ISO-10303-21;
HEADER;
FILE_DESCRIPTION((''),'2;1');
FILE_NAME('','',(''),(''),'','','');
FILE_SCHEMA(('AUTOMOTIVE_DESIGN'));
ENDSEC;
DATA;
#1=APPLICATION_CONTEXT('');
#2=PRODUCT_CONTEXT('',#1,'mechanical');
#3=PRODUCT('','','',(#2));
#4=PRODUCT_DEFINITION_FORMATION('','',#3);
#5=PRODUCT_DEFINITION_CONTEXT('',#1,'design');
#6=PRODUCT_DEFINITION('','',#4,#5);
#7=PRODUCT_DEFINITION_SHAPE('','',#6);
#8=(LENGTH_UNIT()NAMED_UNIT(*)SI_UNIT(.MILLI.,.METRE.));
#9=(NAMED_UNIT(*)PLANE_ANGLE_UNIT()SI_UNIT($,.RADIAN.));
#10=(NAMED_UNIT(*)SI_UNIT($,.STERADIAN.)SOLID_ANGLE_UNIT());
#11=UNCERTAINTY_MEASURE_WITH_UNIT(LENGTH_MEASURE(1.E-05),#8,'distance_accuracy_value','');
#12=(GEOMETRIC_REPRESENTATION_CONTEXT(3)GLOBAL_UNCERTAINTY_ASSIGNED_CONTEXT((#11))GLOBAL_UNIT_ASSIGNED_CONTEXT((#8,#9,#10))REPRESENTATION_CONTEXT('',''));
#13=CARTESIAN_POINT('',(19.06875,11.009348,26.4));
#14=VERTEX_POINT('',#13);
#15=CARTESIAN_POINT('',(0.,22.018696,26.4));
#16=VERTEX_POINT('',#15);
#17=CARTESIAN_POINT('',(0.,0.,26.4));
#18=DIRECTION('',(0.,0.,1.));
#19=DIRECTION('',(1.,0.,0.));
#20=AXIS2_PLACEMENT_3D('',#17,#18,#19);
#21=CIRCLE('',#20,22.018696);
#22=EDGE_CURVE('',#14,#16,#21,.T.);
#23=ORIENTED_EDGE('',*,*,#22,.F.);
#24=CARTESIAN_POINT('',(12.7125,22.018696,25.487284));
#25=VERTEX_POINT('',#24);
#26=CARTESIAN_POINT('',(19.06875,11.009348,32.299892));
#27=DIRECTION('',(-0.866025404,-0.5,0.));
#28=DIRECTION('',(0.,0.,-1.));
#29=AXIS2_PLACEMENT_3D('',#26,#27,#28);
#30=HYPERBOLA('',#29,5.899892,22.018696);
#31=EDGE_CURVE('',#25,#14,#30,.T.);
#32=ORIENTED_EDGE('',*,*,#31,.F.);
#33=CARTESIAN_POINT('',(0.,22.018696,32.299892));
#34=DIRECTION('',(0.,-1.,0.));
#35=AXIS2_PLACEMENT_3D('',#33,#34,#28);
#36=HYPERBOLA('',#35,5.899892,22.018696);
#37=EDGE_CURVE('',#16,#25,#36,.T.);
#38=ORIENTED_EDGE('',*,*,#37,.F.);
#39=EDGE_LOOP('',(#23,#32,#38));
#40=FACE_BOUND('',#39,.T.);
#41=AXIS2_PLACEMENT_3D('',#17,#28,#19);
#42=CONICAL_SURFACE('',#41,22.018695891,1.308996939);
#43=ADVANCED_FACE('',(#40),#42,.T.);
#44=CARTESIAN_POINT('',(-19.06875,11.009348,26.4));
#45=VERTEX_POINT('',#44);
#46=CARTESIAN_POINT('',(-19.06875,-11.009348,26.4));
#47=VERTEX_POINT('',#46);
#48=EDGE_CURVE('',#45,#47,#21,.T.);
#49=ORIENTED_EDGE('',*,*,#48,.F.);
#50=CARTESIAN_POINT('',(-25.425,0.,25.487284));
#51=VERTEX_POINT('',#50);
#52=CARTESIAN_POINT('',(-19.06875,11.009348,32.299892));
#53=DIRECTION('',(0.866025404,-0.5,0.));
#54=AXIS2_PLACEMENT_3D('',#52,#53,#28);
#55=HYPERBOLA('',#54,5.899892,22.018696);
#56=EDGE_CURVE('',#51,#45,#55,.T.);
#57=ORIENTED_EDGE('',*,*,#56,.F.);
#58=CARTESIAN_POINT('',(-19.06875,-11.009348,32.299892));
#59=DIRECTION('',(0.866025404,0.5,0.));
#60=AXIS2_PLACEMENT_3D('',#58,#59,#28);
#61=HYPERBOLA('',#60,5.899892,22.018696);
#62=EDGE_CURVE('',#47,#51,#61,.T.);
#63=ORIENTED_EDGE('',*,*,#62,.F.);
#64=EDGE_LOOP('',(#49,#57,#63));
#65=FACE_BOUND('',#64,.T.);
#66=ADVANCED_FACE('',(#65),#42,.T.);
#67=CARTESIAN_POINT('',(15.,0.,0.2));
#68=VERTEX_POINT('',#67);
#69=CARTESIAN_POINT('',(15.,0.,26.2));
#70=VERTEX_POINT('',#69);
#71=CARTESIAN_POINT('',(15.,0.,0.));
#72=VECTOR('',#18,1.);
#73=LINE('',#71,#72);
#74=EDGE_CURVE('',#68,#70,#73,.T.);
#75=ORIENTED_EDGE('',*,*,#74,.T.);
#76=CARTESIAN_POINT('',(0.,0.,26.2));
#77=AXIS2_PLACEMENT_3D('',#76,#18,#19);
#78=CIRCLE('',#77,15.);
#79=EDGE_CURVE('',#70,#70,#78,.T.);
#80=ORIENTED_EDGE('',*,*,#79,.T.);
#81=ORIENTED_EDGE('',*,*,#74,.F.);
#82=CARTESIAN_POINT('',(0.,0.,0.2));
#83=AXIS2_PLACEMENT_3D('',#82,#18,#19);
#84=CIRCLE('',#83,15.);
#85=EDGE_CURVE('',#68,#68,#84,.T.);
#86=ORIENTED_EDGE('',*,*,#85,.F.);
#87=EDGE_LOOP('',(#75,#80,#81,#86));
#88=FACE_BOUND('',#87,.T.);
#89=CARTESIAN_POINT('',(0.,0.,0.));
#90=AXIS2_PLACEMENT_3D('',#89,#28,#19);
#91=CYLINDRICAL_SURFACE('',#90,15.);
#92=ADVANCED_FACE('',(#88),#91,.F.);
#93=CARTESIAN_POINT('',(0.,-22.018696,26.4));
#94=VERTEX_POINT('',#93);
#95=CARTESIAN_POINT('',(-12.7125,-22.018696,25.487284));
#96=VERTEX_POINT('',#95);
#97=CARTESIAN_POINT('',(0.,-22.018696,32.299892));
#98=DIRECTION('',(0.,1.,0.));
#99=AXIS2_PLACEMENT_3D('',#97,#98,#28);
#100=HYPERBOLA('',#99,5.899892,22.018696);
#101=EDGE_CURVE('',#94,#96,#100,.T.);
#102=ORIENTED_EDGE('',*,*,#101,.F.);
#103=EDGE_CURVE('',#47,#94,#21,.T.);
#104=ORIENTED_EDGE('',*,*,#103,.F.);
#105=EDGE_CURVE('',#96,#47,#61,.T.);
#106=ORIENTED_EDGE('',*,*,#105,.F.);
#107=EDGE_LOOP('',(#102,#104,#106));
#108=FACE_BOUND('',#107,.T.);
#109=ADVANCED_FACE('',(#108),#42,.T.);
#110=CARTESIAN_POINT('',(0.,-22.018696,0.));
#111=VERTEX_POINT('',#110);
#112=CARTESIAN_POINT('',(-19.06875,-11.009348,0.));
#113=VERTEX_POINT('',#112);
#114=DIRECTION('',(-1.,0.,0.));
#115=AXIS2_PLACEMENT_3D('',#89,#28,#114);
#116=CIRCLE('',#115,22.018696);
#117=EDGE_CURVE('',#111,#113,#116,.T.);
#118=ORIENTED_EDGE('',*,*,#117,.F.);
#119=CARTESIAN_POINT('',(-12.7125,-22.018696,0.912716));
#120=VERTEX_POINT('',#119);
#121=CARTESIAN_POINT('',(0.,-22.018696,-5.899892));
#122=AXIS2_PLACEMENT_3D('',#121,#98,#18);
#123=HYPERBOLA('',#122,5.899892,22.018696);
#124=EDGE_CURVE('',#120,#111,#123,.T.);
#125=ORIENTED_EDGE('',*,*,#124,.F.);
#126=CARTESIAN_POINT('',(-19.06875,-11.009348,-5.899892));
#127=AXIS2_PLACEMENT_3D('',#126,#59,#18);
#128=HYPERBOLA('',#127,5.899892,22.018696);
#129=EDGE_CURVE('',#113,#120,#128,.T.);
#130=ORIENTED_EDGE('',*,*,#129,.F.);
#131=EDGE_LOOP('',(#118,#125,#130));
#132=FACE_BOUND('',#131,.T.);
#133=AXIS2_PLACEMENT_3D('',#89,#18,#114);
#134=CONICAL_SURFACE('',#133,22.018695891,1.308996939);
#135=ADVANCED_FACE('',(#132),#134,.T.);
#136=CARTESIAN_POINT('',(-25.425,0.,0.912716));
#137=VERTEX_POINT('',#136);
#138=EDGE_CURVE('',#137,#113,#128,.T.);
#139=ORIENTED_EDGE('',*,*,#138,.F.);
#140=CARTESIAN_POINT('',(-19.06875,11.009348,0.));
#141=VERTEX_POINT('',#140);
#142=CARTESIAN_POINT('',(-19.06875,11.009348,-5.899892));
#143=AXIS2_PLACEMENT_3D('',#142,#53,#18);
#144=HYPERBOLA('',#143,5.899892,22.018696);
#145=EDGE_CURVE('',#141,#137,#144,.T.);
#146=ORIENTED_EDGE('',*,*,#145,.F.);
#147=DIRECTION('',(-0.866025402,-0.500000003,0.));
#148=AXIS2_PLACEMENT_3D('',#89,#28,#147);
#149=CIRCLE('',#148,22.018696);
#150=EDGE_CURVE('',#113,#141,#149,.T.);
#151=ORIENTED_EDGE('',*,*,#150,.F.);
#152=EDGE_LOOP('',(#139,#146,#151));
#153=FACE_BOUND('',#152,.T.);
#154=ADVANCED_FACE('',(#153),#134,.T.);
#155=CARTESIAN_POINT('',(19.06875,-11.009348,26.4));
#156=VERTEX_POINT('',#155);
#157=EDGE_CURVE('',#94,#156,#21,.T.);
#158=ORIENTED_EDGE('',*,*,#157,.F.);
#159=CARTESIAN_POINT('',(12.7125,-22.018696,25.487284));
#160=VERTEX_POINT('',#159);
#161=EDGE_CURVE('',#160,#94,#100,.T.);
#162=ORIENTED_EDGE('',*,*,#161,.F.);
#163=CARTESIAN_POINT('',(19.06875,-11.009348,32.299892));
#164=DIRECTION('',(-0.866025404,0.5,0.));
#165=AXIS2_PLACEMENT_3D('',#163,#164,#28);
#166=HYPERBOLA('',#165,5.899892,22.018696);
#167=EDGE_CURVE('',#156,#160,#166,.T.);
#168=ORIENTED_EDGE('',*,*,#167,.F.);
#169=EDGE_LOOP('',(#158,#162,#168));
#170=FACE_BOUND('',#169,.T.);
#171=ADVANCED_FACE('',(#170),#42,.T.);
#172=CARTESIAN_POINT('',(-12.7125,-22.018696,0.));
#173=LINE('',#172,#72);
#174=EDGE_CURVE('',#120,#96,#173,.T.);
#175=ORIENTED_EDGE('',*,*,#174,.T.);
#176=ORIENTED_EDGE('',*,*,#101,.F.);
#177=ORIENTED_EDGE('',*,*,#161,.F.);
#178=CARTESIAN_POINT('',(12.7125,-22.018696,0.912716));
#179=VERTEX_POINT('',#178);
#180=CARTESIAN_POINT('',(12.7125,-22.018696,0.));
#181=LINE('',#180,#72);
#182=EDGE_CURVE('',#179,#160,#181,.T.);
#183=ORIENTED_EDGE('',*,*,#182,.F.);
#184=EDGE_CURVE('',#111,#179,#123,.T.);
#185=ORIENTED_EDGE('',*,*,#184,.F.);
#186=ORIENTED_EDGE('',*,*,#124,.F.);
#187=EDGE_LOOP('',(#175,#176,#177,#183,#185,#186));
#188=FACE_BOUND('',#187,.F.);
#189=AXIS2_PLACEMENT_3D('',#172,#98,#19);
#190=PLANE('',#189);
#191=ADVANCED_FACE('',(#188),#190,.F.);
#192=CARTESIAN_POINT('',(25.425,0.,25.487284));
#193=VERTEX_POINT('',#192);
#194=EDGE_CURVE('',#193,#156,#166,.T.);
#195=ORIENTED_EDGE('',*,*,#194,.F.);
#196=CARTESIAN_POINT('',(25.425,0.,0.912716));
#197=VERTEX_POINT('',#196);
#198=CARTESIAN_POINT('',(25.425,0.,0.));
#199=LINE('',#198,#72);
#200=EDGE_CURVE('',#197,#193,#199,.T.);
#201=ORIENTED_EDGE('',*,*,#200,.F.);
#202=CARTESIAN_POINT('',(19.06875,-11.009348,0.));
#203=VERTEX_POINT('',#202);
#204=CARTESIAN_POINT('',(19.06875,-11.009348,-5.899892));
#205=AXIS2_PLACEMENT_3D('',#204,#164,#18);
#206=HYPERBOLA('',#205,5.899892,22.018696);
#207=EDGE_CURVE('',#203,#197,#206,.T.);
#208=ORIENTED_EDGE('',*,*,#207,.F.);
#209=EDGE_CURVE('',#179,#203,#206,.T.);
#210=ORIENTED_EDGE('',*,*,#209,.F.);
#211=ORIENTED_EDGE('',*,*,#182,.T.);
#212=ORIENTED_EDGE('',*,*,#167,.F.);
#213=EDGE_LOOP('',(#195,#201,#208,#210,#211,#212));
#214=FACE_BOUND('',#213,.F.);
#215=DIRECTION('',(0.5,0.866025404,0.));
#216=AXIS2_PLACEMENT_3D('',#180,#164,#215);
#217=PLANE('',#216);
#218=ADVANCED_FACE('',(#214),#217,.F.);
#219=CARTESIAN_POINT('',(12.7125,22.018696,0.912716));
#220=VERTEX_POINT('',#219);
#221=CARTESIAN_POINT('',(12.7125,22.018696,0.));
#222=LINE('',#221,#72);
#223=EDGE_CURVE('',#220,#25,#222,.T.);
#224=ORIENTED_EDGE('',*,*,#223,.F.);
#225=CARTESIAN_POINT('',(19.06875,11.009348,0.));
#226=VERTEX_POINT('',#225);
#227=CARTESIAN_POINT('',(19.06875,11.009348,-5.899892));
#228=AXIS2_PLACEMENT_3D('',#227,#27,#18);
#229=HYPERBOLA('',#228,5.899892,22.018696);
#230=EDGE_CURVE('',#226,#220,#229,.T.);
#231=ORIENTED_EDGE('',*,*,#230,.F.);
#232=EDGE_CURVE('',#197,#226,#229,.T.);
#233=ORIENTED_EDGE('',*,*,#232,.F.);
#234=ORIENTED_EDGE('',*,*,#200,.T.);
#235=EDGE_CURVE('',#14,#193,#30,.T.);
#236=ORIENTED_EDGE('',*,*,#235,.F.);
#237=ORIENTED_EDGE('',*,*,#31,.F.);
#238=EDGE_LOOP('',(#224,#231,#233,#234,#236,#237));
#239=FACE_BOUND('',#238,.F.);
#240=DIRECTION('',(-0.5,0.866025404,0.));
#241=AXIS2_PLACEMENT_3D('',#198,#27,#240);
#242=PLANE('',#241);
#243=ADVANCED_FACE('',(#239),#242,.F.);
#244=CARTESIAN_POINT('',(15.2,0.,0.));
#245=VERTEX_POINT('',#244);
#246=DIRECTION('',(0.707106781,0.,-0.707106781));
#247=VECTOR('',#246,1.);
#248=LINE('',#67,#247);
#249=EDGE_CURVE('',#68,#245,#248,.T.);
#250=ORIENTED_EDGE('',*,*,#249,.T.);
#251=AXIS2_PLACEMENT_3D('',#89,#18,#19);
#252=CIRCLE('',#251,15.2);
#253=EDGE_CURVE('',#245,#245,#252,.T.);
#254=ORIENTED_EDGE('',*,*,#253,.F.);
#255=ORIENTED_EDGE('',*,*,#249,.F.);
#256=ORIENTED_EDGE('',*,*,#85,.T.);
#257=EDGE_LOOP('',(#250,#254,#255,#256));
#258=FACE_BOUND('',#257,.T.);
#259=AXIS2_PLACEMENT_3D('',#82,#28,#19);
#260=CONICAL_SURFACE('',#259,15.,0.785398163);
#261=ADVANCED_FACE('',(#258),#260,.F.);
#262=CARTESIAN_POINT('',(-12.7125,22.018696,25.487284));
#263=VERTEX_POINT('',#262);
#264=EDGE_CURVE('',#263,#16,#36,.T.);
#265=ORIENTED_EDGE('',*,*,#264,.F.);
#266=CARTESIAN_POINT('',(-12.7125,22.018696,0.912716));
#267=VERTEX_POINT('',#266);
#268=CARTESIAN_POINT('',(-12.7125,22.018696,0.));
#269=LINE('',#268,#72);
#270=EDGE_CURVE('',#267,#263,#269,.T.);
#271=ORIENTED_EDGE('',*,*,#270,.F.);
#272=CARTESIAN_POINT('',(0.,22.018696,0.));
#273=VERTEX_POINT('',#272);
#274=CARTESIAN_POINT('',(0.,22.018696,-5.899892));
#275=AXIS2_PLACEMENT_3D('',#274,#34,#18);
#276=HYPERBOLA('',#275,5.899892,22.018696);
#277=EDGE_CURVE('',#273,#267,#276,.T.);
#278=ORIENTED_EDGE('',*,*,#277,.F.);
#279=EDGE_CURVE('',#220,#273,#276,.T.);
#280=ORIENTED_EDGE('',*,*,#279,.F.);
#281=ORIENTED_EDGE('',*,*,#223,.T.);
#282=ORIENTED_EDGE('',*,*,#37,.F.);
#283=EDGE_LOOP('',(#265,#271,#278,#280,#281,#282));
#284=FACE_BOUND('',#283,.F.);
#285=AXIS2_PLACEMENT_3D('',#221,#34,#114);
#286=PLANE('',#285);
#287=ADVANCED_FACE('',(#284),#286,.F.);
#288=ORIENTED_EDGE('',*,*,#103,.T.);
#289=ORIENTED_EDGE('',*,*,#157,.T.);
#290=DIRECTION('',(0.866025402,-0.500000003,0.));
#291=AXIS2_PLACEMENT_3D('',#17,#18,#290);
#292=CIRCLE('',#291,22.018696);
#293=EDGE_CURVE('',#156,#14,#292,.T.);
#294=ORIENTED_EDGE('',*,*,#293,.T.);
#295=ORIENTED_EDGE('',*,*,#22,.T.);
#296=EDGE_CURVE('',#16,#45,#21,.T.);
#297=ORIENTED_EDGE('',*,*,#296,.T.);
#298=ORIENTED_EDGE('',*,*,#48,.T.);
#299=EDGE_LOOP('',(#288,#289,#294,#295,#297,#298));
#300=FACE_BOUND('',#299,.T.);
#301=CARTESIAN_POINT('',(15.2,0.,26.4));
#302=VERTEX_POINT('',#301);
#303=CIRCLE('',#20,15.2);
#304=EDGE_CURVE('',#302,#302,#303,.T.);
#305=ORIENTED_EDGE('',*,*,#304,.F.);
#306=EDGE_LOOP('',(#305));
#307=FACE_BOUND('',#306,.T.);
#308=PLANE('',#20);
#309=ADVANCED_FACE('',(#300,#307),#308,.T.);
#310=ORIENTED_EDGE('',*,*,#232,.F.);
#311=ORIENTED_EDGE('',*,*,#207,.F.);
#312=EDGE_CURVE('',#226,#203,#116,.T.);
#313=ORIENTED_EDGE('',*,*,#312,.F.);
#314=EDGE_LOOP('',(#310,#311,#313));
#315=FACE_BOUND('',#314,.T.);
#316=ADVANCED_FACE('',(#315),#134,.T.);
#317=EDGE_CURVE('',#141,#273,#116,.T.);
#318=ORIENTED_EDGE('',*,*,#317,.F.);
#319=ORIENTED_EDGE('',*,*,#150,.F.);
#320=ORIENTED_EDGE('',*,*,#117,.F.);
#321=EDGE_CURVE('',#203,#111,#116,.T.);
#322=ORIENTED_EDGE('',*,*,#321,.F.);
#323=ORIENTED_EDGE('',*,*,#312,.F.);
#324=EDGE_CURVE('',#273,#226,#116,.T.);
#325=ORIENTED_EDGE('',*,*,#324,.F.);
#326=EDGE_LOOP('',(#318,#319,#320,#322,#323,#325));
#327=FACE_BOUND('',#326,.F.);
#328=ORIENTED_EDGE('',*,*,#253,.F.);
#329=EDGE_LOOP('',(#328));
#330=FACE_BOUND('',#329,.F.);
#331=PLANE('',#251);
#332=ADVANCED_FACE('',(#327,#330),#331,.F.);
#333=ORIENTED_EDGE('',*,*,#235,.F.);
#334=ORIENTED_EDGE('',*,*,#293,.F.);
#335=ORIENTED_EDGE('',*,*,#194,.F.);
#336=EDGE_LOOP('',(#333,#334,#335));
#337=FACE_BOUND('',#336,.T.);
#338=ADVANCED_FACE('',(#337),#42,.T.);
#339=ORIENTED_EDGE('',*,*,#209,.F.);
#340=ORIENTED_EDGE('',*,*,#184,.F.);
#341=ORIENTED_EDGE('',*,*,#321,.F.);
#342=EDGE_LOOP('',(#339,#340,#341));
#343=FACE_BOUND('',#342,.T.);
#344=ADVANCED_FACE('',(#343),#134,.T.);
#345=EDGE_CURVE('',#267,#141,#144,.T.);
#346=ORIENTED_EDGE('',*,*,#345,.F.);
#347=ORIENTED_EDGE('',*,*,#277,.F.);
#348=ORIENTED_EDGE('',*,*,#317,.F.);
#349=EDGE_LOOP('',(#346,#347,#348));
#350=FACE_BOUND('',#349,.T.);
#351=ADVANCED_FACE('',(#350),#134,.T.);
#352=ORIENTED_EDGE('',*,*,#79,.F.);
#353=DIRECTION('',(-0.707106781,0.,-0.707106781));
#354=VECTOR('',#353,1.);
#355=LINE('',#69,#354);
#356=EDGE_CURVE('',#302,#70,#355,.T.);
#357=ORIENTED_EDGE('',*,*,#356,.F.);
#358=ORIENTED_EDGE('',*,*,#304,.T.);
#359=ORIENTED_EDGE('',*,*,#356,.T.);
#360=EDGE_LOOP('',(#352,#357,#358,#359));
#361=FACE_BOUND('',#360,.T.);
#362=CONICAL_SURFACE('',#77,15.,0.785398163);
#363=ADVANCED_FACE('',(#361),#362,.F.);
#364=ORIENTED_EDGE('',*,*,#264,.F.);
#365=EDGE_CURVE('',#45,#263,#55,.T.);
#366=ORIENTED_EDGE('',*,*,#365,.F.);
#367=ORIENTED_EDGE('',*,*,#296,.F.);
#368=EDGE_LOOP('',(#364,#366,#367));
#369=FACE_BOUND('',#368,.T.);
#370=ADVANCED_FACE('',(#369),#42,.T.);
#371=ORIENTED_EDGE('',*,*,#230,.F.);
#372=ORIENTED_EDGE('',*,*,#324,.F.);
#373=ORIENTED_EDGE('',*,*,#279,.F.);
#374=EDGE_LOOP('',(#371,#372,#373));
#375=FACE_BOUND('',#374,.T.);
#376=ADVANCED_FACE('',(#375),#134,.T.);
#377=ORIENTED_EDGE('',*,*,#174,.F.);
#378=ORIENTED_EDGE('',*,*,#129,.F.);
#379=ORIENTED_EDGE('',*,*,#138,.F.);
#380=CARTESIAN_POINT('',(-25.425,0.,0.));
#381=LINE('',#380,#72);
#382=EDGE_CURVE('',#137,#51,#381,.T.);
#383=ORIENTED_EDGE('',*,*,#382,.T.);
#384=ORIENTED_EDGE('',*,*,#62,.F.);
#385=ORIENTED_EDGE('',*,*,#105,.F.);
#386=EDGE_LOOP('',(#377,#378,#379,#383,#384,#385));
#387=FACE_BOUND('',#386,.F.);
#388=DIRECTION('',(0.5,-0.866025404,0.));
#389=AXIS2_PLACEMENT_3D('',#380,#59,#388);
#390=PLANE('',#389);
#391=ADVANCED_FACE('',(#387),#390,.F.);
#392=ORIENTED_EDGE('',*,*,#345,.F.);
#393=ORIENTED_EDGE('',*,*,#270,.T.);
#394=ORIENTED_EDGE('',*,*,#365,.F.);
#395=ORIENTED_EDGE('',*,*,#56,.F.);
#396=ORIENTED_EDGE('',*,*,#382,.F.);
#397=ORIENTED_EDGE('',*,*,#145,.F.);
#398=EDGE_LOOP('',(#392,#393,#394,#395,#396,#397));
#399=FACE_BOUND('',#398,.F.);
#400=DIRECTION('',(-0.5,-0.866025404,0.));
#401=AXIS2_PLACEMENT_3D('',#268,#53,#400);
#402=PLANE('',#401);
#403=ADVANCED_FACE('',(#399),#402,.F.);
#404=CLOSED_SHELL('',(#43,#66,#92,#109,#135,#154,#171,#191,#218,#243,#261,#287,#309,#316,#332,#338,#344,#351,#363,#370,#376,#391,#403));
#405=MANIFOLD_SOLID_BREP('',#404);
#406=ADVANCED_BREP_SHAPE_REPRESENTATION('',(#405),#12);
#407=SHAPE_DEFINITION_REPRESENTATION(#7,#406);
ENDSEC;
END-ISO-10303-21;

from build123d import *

# Parameters (mm, degrees)
SKETCH_1_R          = 15
EXTRUDE_589_DEPTH   = 26.4
SKETCH_2_OUTSIDE_W  = 350.938
SKETCH_2_OUTSIDE_H  = 344.126
SKETCH_2_OUTSIDE_R  = 22.018695891
CUT_EXTRUDE_1_DEPTH = 38
CUT_EXTRUDE_1_DRAFT = -75
SKETCH_3_OUTSIDE_W  = 350.938
SKETCH_3_OUTSIDE_H  = 344.126
SKETCH_3_OUTSIDE_R  = 22.018695891
CUT_EXTRUDE_2_DEPTH = 38
CUT_EXTRUDE_2_DRAFT = -75
CHAMFER_1_SIZE      = 0.2


with BuildPart() as part:
    # 草图1 → Extrude 589 (new body)
    with BuildSketch(Plane.XY):
        Polygon((12.7125, 22.018695891), (-12.7125, 22.018695891), (-25.425, 0), (-12.7125, -22.018695891), (12.7125, -22.018695891), (25.425, 0), align=None)
        Circle(SKETCH_1_R, mode=Mode.SUBTRACT)
    extrude(amount=EXTRUDE_589_DEPTH)


with BuildPart() as cut_extrude_1_tool:
    # 草图2 outside → 切除-拉伸1 (with draft: the straight prism first)
    with BuildSketch(Plane(origin=(0, 0, 0), x_dir=(-1, 0, 0), z_dir=(0, 0, -1))):
        Rectangle(SKETCH_2_OUTSIDE_W, SKETCH_2_OUTSIDE_H)
        Circle(SKETCH_2_OUTSIDE_R, mode=Mode.SUBTRACT)
    extrude(amount=-CUT_EXTRUDE_1_DEPTH)
    # 切除-拉伸1: the draft: its side faces are tilted about the plane it starts from
    cut_extrude_1_sides = [cut_extrude_1_tool.faces().sort_by_distance(p)[0] for p in [
        (0, -172.063, 19),
        (-175.469, 0, 19),
        (0, 172.063, 19),
        (175.469, 0, 19),
        (22.018695891, 0, 19),
    ]]
    draft(cut_extrude_1_sides, Plane(origin=(0, 0, 0), x_dir=(-1, 0, 0), z_dir=(0, 0, -1)), CUT_EXTRUDE_1_DRAFT)


with BuildPart() as part_1:
    add(part.part)

    # 切除-拉伸1: cut by cut_extrude_1_tool
    add(cut_extrude_1_tool.part, mode=Mode.SUBTRACT)


with BuildPart() as cut_extrude_2_tool:
    # 草图3 outside → 切除-拉伸2 (with draft: the straight prism first)
    with BuildSketch(Plane.XY.offset(26.4)):
        Rectangle(SKETCH_3_OUTSIDE_W, SKETCH_3_OUTSIDE_H)
        Circle(SKETCH_3_OUTSIDE_R, mode=Mode.SUBTRACT)
    extrude(amount=-CUT_EXTRUDE_2_DEPTH)
    # 切除-拉伸2: the draft: its side faces are tilted about the plane it starts from
    cut_extrude_2_sides = [cut_extrude_2_tool.faces().sort_by_distance(p)[0] for p in [
        (0, -172.063, 7.4),
        (175.469, 0, 7.4),
        (0, 172.063, 7.4),
        (-175.469, 0, 7.4),
        (-22.018695891, 0, 7.4),
    ]]
    draft(cut_extrude_2_sides, Plane.XY.offset(26.4), CUT_EXTRUDE_2_DRAFT)


with BuildPart() as part_2:
    add(part_1.part)

    # 切除-拉伸2: cut by cut_extrude_2_tool
    add(cut_extrude_2_tool.part, mode=Mode.SUBTRACT)

    # 倒角1
    chamfer_1_edges = [part_2.edges().sort_by_distance(p)[0] for p in [
        (-15, 0, 0),
        (-15, 0, 26.4),
    ]]
    chamfer(chamfer_1_edges, length=CHAMFER_1_SIZE)


solid = part_2.part
